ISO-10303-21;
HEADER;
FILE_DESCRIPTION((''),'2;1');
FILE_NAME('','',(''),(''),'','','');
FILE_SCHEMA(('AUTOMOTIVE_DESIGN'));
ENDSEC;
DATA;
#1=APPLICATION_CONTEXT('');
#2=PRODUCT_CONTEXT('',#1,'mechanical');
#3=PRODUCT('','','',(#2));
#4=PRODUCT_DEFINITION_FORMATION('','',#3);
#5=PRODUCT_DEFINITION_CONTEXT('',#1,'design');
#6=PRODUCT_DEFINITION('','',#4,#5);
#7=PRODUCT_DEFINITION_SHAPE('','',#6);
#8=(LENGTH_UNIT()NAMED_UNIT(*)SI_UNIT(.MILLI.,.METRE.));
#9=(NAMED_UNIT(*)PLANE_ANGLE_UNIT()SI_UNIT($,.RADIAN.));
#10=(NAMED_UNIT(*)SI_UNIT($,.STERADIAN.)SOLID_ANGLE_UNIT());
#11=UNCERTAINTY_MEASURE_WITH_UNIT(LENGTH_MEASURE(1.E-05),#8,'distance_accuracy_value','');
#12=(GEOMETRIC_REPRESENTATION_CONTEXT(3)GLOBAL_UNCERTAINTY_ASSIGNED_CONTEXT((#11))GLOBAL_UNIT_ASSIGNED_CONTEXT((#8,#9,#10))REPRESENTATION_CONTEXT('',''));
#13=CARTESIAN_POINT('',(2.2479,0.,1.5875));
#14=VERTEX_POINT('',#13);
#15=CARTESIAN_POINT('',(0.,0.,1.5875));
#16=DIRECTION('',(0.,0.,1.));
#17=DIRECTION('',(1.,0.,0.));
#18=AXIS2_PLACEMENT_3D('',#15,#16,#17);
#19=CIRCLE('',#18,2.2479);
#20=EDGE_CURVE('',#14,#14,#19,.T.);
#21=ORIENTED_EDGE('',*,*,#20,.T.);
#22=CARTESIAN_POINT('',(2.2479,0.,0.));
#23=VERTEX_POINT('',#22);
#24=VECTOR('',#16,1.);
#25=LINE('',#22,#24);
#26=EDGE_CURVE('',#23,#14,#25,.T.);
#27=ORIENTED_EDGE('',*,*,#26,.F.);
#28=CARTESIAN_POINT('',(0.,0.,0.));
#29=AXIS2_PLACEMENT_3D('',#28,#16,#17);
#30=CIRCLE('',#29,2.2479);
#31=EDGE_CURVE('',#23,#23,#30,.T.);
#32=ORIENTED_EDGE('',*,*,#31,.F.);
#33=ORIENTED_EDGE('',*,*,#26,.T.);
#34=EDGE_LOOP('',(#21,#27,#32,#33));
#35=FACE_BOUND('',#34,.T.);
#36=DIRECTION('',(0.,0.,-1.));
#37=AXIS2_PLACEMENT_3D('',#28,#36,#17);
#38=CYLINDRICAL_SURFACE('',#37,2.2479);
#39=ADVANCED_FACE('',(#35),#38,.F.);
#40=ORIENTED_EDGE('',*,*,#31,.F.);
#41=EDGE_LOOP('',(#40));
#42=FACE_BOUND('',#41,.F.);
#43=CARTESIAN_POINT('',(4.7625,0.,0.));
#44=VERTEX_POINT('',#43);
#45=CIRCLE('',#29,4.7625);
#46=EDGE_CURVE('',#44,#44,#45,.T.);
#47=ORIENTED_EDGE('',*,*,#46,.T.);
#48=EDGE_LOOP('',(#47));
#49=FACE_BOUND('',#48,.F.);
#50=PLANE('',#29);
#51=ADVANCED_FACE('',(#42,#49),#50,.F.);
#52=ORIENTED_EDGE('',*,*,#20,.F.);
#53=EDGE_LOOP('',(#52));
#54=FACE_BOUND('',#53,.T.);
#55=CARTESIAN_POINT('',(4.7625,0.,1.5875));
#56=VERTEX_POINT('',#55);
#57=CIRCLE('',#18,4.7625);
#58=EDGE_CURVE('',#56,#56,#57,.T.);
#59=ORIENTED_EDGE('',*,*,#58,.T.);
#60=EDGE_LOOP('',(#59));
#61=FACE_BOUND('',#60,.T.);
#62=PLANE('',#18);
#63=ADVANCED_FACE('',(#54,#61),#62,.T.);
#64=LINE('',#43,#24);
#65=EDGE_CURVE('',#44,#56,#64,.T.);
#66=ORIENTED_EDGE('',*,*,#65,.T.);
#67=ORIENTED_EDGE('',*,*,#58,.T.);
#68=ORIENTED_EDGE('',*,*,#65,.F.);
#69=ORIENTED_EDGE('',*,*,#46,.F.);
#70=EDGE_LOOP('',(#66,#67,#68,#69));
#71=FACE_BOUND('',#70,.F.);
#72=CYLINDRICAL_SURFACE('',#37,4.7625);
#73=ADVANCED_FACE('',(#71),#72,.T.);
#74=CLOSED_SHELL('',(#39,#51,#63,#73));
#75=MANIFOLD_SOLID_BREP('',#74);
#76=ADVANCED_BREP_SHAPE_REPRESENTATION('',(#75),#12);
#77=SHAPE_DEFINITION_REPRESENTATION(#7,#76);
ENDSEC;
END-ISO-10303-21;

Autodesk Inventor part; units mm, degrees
ref_plane "YZ Plane" through (0, 0, 0) normal (1, 0, 0) x (0, 1, 0)
ref_plane "XZ Plane" through (0, 0, 0) normal (0, 1, 0) x (-1, 0, 0)
ref_plane "XY Plane" through (0, 0, 0) normal (0, 0, 1) x (1, 0, 0)
sketch "Sketch1" plane through (0, 0, 0) normal (0, 0, 1) x (1, 0, 0)
  circle A0 centre (0, 0) radius 2.2479
  circle A1 centre (0, 0) radius 4.7625
  dimension "d0" = 4.4958
  dimension "d1" = 9.525
extrude "Extrusion1" add sketch "Sketch1" along normal blind 1.5875
equation "\"BendRadius\" = Thickness"
equation "\"BendReliefWidth\" = Thickness"
equation "\"BendReliefDepth\" = 0.5 * Thickness"
equation "\"CornerReliefSize\" = 4 * Thickness"
equation "\"MinimumRemnant\" = 2 * Thickness"
equation "\"TransitionRadius\" = BendRadius"
equation "\"JacobiRadiusSize\" = BendRadius"
equation "\"GapSize\" = Thickness"
equation "\"Thickness\" = 1.5875"
properties part number "washer_thin" material "Acetal Resin, White"
